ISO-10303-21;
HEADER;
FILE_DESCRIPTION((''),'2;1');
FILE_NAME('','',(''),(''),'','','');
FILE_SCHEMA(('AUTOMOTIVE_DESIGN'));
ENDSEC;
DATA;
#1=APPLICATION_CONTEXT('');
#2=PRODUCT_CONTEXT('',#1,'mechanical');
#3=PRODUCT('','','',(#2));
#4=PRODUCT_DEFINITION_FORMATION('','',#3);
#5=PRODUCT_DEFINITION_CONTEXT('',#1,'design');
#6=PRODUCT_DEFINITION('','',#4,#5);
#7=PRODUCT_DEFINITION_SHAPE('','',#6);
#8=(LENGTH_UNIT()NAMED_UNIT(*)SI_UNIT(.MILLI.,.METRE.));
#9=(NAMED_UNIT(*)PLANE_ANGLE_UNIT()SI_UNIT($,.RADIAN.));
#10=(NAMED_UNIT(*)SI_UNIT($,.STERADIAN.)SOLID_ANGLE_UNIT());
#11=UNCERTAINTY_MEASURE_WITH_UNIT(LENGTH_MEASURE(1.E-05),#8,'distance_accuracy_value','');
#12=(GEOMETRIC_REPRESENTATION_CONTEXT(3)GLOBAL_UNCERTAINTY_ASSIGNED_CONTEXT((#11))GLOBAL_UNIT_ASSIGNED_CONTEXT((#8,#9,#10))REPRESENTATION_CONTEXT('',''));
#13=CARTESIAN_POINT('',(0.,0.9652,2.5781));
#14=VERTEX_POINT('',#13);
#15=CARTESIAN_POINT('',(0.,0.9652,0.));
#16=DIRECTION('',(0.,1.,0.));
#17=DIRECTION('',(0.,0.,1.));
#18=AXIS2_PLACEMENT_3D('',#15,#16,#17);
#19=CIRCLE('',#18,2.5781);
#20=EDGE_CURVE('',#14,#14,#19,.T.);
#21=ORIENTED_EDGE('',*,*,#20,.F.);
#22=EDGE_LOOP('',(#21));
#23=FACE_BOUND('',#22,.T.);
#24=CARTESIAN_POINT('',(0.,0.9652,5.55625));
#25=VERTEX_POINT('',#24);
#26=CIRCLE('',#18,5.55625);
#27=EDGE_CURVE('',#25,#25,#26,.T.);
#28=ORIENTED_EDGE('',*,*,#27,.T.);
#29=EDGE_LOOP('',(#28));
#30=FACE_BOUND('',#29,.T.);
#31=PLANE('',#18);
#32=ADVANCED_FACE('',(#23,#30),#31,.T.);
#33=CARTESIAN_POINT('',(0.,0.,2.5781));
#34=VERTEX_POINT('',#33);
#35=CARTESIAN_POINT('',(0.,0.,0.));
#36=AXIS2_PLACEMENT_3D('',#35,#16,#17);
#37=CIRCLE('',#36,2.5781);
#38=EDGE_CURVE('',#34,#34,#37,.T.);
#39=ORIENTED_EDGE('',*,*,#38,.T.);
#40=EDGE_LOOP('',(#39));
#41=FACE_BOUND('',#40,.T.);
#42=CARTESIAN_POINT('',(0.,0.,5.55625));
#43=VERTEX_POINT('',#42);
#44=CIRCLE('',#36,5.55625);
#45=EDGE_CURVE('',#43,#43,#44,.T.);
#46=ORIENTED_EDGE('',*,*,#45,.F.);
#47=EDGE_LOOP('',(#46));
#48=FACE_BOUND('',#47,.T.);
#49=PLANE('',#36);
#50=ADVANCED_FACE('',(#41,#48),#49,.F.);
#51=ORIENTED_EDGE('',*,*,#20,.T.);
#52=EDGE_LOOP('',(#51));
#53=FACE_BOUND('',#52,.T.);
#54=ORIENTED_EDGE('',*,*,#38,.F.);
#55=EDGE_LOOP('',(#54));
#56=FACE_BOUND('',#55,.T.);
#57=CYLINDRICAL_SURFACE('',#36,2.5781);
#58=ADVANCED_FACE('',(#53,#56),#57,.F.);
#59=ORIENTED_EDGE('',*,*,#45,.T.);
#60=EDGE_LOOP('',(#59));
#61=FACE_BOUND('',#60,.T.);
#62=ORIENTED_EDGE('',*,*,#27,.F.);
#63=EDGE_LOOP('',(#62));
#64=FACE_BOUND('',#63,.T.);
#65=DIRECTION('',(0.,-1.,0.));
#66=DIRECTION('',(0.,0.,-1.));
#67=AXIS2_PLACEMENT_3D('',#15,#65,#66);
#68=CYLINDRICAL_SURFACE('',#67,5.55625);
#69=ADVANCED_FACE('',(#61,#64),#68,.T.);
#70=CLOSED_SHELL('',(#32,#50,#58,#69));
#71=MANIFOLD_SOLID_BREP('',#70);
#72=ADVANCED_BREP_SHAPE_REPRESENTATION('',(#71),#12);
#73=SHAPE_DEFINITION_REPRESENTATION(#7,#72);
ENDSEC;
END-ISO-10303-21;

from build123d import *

# Parameters (mm, degrees)
SKETCH1_R           = 5.55625
BOSS_EXTRUDE1_DEPTH = 0.9652
SKETCH5_R           = 2.5781
CUT_EXTRUDE1_DEPTH  = 1.9652


with BuildPart() as part:
    # Sketch1 → Boss-Extrude1 (new body)
    with BuildSketch(Plane(origin=(0, 0, 0), x_dir=(1, 0, 0), z_dir=(0, 1, 0))):
        with Locations(Location((0, 0, 0), (0, 0, 270))):  # turned: the seam where the file's is
            Circle(SKETCH1_R)
    extrude(amount=BOSS_EXTRUDE1_DEPTH)

    # Sketch5 → Cut-Extrude1 (cut, through all)
    with BuildSketch(Plane(origin=(0, 0.9652, 0), x_dir=(-1, 0, 0), z_dir=(0, 1, 0))):
        with Locations(Location((0, 0, 0), (0, 0, 90))):  # turned: the seam where the file's is
            Circle(SKETCH5_R)
    extrude(amount=-CUT_EXTRUDE1_DEPTH, mode=Mode.SUBTRACT)


solid = part.part
